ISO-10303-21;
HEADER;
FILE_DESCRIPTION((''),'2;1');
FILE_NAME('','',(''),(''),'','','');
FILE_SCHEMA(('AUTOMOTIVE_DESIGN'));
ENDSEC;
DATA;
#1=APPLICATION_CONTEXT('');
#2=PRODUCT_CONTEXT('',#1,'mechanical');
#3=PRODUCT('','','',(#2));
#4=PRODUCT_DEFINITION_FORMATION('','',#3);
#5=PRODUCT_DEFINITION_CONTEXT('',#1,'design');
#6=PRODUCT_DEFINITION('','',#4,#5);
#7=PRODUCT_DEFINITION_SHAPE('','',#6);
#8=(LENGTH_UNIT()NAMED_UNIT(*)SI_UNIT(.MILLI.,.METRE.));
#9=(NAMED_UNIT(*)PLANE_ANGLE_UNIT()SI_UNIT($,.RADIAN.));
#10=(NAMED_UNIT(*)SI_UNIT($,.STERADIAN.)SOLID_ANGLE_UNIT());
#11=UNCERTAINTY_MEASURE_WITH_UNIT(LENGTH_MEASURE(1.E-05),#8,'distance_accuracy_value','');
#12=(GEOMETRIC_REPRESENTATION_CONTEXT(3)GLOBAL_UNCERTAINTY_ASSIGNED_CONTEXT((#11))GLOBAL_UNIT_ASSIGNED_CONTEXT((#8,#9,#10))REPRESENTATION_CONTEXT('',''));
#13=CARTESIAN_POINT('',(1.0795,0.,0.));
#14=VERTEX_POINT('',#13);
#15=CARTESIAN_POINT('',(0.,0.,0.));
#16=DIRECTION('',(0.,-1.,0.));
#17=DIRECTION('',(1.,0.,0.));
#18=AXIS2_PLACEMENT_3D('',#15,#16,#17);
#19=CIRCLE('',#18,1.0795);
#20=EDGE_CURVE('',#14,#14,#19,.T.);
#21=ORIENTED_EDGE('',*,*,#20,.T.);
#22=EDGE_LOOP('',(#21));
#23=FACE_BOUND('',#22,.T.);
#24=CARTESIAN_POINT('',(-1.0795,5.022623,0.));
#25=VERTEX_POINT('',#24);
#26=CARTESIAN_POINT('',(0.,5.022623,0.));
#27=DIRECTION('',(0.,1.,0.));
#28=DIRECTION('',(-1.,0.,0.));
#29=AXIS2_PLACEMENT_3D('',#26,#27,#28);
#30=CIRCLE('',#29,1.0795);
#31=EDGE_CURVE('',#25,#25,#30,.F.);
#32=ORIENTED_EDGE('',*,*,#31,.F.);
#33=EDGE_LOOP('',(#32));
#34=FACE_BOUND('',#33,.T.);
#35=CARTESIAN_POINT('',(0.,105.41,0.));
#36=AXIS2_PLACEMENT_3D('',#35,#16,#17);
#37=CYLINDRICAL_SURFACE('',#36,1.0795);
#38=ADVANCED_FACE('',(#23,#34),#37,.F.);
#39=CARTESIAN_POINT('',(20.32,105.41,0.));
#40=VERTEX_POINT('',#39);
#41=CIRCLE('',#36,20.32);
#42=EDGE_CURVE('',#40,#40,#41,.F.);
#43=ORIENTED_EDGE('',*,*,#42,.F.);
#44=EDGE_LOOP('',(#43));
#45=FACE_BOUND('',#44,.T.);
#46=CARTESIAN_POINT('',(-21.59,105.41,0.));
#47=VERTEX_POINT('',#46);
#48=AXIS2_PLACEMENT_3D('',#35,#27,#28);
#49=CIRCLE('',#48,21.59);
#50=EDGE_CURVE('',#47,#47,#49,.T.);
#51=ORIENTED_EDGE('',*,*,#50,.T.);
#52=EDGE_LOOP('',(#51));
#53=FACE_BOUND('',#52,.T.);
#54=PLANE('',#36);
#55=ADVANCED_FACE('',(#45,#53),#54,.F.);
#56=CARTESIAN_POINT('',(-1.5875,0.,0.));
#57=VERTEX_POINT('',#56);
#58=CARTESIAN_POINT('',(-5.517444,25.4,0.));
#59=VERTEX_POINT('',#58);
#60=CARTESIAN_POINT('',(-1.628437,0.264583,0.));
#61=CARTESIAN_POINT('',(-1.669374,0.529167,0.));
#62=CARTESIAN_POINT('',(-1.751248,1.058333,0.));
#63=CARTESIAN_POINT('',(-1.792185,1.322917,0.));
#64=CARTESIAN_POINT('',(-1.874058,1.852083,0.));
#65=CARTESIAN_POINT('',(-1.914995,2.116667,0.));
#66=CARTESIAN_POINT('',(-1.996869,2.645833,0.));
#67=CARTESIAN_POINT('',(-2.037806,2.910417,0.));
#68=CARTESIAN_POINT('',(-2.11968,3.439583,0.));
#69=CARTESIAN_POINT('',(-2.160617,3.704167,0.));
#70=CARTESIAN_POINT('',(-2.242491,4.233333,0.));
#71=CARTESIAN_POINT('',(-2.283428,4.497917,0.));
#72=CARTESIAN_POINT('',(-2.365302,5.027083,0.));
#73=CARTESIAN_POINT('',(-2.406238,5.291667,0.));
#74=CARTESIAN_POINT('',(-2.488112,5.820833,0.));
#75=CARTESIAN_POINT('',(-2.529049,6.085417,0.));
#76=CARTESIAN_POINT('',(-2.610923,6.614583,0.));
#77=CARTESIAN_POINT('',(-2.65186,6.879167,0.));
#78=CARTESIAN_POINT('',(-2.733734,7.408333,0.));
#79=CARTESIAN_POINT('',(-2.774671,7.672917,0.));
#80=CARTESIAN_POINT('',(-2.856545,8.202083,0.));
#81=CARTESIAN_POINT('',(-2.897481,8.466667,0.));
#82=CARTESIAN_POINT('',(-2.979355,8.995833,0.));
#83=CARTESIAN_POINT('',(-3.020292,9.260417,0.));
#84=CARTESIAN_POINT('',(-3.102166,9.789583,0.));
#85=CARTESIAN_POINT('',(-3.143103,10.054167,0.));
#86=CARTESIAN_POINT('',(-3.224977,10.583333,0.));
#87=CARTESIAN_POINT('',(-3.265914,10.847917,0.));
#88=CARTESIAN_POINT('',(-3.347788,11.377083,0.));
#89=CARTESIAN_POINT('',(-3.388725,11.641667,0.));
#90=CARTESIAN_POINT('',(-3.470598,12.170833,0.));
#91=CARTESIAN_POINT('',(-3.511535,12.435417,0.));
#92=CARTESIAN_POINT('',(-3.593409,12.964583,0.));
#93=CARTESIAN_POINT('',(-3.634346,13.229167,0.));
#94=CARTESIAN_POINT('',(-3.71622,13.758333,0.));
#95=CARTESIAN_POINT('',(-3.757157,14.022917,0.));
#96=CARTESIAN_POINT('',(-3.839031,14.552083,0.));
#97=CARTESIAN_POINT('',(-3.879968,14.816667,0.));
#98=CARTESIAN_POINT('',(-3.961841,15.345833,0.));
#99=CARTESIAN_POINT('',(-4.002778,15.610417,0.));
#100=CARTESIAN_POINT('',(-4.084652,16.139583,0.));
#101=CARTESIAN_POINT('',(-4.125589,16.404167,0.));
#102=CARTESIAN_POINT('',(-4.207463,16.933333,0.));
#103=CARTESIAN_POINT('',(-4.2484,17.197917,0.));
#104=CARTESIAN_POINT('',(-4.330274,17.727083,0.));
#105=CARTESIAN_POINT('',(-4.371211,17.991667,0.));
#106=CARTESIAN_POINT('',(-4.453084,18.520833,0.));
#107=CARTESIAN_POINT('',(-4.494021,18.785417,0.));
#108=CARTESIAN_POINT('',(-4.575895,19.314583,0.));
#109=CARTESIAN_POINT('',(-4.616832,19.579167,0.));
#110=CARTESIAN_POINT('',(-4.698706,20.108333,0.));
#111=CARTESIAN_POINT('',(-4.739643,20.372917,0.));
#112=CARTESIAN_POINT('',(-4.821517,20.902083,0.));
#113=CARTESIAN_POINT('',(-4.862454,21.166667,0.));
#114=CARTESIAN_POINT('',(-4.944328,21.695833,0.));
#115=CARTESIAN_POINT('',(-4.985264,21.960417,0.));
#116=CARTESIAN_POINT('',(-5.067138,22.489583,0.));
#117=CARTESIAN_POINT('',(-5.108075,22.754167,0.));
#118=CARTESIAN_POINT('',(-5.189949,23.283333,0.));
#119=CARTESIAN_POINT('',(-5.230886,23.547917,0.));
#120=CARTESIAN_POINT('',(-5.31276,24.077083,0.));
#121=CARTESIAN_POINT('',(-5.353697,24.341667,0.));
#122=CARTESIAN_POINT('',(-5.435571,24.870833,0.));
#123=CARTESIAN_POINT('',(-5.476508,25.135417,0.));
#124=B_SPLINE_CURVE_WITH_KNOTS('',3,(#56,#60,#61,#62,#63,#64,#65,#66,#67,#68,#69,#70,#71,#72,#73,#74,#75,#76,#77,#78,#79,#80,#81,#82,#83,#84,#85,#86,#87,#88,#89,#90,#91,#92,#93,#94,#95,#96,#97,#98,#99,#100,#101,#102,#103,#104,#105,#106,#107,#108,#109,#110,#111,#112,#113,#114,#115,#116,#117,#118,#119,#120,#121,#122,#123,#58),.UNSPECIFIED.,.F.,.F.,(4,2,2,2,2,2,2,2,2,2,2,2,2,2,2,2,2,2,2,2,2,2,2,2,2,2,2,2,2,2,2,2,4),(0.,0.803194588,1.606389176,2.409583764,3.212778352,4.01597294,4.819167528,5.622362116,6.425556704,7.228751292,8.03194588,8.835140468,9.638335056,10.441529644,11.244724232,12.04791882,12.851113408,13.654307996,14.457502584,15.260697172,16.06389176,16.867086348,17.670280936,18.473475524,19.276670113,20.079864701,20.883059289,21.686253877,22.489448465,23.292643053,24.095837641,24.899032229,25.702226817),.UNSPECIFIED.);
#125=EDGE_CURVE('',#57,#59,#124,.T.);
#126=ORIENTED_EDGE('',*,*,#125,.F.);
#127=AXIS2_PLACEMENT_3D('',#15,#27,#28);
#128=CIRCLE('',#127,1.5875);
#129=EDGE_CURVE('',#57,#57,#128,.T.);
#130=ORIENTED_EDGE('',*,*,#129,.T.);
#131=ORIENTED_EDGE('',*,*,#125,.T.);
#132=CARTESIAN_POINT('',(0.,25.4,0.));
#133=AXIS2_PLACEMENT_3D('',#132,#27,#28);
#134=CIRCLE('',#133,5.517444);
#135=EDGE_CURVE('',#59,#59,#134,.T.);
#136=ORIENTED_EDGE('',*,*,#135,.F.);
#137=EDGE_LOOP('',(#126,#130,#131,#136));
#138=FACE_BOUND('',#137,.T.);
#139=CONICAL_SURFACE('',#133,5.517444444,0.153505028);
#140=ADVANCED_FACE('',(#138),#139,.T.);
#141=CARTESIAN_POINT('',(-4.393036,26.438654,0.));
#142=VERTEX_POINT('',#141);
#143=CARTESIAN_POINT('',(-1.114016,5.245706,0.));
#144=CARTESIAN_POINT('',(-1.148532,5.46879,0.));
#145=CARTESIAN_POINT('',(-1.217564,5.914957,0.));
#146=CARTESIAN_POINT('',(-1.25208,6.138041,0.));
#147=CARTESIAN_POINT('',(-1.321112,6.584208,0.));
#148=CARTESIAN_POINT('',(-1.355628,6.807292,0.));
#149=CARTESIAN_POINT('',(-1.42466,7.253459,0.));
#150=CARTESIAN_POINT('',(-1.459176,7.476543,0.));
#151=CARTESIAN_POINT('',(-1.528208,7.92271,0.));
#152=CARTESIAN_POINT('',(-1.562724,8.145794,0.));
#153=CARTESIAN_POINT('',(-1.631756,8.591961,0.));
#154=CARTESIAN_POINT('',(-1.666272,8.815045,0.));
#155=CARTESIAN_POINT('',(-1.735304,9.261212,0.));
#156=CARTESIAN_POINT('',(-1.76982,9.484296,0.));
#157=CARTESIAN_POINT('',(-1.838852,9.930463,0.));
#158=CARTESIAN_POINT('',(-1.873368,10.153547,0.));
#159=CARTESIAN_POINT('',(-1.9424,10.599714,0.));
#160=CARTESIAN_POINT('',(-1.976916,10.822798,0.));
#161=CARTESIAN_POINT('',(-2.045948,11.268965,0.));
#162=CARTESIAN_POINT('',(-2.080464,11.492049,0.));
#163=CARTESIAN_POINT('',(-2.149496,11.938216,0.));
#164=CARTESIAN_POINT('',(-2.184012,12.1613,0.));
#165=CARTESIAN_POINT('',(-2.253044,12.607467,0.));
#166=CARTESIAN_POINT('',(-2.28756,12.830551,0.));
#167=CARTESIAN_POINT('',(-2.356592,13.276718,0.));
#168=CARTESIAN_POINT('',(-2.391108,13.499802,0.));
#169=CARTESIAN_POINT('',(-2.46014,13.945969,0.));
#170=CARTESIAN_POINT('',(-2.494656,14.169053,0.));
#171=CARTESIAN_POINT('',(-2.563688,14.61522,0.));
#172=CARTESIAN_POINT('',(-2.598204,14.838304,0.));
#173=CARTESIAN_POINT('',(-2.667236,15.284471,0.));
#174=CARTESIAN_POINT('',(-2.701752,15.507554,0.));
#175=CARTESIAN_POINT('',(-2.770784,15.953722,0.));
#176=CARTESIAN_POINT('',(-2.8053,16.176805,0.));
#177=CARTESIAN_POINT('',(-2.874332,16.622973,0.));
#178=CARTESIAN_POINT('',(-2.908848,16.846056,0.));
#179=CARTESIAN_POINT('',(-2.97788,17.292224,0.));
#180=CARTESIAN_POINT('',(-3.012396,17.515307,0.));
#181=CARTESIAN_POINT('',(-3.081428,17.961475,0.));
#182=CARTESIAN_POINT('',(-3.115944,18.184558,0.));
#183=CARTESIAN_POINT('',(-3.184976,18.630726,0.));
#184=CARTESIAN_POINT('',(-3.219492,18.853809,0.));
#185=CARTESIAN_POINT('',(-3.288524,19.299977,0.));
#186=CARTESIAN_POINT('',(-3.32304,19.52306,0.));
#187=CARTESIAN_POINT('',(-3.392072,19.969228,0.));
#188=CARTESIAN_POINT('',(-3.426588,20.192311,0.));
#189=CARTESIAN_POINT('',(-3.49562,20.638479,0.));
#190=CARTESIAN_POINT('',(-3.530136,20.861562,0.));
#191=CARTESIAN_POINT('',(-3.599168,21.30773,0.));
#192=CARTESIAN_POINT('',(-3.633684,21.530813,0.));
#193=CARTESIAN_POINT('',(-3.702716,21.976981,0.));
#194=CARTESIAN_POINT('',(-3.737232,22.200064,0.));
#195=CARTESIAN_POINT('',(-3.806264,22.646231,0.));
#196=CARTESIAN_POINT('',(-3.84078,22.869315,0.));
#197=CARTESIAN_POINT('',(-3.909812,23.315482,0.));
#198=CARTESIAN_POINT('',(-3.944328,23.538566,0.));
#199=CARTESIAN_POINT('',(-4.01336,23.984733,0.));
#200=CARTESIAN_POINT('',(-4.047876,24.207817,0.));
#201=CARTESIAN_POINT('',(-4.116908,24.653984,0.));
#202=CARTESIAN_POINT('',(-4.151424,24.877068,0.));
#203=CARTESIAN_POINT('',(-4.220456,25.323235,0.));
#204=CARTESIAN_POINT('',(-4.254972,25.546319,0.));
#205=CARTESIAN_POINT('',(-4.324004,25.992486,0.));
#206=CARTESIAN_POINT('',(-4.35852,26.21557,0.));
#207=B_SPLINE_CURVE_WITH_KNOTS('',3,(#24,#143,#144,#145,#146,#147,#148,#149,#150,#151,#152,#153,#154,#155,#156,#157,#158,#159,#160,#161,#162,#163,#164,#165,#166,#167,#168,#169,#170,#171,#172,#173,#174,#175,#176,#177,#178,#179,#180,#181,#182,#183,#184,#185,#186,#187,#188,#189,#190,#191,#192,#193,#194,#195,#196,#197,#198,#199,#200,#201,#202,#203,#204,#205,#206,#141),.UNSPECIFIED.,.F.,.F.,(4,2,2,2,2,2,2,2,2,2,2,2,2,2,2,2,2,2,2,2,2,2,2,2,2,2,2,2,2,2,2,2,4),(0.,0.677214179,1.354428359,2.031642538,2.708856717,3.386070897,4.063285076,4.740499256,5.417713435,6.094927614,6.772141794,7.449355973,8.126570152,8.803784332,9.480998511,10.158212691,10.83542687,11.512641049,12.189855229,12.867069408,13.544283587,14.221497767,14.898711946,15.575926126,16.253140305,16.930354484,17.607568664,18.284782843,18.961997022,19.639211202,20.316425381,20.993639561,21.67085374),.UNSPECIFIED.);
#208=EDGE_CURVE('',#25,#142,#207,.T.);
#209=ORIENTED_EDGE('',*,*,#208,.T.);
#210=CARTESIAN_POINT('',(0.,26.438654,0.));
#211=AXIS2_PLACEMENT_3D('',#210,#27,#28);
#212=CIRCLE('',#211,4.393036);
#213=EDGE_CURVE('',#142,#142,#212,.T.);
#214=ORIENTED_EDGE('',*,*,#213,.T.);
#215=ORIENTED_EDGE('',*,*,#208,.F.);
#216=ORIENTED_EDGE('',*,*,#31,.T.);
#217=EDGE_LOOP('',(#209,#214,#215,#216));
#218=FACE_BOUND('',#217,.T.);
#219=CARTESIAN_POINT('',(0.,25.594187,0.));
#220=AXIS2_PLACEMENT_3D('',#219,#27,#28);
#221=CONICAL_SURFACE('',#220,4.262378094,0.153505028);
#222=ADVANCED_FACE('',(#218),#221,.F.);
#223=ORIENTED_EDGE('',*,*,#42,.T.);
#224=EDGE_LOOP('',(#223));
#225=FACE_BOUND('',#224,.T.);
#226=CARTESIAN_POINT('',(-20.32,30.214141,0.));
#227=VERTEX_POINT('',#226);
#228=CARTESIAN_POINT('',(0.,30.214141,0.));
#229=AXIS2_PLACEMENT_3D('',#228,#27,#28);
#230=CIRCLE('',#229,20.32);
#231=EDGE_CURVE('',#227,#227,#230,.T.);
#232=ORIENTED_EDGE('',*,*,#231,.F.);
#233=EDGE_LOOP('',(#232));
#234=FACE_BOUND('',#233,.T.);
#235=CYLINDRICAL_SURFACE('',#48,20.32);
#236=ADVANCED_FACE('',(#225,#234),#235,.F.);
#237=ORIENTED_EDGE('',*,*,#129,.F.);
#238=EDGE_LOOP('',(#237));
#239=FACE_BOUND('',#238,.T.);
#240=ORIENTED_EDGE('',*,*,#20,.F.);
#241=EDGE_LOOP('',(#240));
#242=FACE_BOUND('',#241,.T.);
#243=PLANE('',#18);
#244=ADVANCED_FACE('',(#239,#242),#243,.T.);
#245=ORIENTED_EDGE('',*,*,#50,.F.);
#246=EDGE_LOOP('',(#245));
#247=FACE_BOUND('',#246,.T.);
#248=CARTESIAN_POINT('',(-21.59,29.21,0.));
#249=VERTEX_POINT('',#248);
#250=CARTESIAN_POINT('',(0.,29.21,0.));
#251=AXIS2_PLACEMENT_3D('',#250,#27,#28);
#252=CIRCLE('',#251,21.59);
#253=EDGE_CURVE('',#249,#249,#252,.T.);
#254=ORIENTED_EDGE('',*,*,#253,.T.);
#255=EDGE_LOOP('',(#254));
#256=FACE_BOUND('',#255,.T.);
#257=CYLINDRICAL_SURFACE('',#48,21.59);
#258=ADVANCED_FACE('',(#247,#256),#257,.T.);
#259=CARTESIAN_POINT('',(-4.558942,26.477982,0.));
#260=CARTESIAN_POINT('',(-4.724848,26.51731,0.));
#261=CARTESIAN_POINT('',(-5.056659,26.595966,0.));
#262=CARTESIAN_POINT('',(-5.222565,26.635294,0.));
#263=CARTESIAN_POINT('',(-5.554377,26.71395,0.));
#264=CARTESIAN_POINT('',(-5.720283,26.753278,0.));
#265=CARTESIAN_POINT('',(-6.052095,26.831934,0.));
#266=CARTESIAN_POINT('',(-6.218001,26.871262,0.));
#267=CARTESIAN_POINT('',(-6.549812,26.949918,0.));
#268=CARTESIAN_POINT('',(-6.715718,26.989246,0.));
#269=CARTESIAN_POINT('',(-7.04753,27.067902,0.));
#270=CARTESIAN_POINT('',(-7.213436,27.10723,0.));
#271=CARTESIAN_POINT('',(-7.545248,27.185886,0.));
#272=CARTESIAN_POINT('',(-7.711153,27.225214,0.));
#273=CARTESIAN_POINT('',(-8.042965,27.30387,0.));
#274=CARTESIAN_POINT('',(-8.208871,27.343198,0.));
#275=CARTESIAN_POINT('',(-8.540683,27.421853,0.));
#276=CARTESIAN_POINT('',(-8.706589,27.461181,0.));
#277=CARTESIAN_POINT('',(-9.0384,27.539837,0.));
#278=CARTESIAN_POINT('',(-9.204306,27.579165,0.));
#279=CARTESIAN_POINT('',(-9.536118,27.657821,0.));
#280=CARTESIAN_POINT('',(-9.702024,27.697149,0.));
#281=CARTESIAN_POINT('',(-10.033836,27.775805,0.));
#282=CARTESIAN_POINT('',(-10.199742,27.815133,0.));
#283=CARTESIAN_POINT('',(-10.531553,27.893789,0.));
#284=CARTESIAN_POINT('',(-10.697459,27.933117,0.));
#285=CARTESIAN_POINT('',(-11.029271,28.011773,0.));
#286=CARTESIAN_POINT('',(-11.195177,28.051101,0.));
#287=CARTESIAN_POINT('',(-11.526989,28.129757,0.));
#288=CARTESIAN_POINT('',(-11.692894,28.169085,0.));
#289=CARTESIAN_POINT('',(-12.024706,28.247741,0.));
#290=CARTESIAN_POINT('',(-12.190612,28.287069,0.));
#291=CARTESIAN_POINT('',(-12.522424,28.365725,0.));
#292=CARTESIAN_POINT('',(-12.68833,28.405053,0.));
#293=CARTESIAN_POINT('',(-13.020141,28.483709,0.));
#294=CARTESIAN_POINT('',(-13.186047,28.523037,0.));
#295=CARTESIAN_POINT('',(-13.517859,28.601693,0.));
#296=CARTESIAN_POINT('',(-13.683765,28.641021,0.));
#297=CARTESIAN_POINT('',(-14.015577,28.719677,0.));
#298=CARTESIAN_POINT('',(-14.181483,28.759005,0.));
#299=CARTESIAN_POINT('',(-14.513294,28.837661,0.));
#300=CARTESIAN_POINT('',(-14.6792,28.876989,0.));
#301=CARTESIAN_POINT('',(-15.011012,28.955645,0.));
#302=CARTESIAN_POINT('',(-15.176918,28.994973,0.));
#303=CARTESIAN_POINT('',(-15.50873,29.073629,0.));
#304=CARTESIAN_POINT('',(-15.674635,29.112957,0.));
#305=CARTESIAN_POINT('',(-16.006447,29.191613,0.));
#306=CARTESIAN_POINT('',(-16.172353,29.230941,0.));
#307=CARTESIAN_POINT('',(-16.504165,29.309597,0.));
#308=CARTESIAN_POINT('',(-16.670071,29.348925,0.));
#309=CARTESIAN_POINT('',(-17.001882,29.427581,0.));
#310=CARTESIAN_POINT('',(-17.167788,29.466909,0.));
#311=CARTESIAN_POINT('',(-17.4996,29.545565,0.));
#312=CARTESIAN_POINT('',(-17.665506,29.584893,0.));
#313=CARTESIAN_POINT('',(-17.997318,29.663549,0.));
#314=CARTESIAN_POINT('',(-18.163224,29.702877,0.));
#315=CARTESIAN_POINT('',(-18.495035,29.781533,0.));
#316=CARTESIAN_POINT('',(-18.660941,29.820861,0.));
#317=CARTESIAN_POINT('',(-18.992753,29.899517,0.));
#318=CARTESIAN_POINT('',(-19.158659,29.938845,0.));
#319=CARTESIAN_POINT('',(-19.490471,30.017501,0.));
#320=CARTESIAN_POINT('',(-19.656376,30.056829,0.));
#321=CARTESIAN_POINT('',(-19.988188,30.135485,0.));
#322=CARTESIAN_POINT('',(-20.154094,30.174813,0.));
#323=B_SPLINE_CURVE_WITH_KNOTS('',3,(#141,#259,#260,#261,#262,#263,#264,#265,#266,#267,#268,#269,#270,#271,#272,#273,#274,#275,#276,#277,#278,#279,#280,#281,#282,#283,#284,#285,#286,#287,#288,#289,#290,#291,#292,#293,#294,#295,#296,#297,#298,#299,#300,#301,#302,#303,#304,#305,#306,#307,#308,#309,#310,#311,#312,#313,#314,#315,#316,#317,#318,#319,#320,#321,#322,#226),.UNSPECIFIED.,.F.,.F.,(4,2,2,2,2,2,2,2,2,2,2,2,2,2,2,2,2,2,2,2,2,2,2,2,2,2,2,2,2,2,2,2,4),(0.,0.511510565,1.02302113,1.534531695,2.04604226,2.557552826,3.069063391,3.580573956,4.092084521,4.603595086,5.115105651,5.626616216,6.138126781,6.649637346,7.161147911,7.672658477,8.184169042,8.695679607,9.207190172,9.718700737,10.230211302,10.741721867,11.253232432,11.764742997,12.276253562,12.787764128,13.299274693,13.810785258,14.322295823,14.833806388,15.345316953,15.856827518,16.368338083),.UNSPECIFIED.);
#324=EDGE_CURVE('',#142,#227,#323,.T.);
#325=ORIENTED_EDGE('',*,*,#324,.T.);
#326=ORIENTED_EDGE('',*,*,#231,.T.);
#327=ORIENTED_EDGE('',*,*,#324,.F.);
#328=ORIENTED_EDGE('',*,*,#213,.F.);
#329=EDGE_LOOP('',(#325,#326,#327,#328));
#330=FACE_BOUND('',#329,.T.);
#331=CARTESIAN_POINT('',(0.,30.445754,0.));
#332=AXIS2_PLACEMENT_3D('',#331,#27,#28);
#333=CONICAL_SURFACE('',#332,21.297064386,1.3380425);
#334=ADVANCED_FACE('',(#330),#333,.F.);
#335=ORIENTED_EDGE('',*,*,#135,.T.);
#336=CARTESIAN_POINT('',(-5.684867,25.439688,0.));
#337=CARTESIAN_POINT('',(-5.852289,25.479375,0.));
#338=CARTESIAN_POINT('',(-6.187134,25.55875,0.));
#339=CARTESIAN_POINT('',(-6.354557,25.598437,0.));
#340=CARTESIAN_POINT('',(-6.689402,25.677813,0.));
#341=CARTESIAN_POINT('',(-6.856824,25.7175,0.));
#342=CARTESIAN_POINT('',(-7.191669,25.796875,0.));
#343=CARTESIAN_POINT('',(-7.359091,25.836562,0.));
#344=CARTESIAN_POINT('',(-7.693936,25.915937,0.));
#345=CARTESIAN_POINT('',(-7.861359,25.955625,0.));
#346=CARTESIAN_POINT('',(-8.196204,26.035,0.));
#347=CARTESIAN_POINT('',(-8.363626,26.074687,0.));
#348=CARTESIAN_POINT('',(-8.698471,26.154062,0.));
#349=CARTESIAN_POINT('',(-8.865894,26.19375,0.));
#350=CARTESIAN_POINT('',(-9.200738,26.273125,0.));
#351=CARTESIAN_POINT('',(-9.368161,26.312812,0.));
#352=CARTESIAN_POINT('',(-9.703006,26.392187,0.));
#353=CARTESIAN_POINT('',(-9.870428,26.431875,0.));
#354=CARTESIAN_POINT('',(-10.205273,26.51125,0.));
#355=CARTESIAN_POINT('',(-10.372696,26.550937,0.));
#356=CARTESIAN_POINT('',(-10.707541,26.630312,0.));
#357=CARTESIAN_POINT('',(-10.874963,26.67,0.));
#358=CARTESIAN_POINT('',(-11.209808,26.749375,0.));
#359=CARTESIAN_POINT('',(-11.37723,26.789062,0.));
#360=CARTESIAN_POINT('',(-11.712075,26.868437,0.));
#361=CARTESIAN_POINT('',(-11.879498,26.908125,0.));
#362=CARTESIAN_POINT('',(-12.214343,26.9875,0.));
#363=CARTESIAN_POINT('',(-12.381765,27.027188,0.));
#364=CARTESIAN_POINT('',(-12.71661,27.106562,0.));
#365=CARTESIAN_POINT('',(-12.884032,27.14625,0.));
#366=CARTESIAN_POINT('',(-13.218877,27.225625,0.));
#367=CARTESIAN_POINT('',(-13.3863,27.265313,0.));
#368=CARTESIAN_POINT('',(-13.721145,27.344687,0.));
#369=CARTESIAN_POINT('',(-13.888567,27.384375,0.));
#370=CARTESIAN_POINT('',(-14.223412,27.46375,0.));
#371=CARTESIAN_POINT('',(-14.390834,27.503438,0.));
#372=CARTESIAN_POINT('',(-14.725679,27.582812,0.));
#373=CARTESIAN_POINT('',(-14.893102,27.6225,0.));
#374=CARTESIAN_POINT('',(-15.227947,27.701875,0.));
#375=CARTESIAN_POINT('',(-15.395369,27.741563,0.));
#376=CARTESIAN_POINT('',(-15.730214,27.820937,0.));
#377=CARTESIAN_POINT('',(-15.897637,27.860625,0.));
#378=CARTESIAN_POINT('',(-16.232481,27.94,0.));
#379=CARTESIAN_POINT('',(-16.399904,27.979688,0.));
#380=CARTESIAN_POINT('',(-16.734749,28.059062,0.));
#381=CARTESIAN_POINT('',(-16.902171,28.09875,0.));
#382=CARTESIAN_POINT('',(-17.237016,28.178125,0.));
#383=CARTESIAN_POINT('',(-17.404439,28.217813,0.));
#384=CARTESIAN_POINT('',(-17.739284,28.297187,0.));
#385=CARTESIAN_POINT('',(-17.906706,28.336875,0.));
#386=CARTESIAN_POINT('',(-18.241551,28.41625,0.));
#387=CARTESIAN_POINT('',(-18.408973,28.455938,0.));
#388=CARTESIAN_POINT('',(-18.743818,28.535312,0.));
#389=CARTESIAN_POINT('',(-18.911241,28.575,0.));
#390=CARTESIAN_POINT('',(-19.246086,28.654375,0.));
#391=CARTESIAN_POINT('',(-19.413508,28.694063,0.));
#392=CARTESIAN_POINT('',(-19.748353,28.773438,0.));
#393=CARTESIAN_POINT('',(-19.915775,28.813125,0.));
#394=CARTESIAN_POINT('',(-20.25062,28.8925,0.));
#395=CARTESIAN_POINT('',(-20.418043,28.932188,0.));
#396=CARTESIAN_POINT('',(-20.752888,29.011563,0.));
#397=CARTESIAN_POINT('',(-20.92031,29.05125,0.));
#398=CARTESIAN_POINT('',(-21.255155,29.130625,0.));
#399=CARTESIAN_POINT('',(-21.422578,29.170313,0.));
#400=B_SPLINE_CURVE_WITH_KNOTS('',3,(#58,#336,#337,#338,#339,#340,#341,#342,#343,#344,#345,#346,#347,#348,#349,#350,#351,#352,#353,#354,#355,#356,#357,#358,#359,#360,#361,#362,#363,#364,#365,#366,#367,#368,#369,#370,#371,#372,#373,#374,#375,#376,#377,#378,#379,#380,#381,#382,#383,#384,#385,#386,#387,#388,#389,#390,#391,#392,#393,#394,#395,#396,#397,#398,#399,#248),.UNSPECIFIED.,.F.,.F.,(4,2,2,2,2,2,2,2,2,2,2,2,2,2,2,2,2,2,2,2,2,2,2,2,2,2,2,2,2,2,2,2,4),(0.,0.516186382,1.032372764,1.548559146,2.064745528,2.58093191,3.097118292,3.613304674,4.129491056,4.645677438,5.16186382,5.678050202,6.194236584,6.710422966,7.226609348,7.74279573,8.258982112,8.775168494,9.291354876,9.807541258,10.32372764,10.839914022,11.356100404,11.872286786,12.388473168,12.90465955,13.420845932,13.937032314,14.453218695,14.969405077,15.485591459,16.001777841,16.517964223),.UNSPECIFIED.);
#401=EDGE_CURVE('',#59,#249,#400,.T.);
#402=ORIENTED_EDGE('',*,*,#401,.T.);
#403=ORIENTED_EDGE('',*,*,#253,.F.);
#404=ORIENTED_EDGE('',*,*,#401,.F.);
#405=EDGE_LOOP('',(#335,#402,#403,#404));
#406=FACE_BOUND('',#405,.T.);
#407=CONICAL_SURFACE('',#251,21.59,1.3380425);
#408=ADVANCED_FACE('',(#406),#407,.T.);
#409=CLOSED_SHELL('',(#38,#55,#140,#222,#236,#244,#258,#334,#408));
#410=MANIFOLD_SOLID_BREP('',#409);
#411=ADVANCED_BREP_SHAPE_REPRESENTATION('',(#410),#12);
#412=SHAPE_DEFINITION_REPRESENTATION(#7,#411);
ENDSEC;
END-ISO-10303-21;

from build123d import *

# Parameters (mm, degrees)
SHELL1_T                = -1.27
CUT_EXTRUDE1_DEPTH      = 110.742992031
CUT_EXTRUDE1_DEPTH_BACK = 110.742992031
SKETCH3_R               = 1.0795


with BuildPart() as part:
    # Sketch1 → Revolve1 (revolve)
    with BuildSketch(Plane.XY):
        Polygon((-5.517444444, 25.4), (-1.5875, 0), (0, 0), (0, 105.41), (-21.59, 105.41), (-21.59, 29.21), align=None)
    revolve(axis=Axis((0, 105.41, 0), (0, -1, 0)))

    # Shell1
    shell1_openings = [part.faces().sort_by_distance(p)[0] for p in [
        (0, 105.41, 0),
    ]]
    offset(amount=SHELL1_T, openings=shell1_openings, kind=Kind.INTERSECTION)

    # Sketch3 → Cut-Extrude1 (cut, two sides: drawn at the far end of the back side and taken through both)
    with BuildSketch(Plane.XZ.offset(-CUT_EXTRUDE1_DEPTH_BACK)):
        Circle(SKETCH3_R)
    extrude(amount=CUT_EXTRUDE1_DEPTH + CUT_EXTRUDE1_DEPTH_BACK, mode=Mode.SUBTRACT)


solid = part.part
